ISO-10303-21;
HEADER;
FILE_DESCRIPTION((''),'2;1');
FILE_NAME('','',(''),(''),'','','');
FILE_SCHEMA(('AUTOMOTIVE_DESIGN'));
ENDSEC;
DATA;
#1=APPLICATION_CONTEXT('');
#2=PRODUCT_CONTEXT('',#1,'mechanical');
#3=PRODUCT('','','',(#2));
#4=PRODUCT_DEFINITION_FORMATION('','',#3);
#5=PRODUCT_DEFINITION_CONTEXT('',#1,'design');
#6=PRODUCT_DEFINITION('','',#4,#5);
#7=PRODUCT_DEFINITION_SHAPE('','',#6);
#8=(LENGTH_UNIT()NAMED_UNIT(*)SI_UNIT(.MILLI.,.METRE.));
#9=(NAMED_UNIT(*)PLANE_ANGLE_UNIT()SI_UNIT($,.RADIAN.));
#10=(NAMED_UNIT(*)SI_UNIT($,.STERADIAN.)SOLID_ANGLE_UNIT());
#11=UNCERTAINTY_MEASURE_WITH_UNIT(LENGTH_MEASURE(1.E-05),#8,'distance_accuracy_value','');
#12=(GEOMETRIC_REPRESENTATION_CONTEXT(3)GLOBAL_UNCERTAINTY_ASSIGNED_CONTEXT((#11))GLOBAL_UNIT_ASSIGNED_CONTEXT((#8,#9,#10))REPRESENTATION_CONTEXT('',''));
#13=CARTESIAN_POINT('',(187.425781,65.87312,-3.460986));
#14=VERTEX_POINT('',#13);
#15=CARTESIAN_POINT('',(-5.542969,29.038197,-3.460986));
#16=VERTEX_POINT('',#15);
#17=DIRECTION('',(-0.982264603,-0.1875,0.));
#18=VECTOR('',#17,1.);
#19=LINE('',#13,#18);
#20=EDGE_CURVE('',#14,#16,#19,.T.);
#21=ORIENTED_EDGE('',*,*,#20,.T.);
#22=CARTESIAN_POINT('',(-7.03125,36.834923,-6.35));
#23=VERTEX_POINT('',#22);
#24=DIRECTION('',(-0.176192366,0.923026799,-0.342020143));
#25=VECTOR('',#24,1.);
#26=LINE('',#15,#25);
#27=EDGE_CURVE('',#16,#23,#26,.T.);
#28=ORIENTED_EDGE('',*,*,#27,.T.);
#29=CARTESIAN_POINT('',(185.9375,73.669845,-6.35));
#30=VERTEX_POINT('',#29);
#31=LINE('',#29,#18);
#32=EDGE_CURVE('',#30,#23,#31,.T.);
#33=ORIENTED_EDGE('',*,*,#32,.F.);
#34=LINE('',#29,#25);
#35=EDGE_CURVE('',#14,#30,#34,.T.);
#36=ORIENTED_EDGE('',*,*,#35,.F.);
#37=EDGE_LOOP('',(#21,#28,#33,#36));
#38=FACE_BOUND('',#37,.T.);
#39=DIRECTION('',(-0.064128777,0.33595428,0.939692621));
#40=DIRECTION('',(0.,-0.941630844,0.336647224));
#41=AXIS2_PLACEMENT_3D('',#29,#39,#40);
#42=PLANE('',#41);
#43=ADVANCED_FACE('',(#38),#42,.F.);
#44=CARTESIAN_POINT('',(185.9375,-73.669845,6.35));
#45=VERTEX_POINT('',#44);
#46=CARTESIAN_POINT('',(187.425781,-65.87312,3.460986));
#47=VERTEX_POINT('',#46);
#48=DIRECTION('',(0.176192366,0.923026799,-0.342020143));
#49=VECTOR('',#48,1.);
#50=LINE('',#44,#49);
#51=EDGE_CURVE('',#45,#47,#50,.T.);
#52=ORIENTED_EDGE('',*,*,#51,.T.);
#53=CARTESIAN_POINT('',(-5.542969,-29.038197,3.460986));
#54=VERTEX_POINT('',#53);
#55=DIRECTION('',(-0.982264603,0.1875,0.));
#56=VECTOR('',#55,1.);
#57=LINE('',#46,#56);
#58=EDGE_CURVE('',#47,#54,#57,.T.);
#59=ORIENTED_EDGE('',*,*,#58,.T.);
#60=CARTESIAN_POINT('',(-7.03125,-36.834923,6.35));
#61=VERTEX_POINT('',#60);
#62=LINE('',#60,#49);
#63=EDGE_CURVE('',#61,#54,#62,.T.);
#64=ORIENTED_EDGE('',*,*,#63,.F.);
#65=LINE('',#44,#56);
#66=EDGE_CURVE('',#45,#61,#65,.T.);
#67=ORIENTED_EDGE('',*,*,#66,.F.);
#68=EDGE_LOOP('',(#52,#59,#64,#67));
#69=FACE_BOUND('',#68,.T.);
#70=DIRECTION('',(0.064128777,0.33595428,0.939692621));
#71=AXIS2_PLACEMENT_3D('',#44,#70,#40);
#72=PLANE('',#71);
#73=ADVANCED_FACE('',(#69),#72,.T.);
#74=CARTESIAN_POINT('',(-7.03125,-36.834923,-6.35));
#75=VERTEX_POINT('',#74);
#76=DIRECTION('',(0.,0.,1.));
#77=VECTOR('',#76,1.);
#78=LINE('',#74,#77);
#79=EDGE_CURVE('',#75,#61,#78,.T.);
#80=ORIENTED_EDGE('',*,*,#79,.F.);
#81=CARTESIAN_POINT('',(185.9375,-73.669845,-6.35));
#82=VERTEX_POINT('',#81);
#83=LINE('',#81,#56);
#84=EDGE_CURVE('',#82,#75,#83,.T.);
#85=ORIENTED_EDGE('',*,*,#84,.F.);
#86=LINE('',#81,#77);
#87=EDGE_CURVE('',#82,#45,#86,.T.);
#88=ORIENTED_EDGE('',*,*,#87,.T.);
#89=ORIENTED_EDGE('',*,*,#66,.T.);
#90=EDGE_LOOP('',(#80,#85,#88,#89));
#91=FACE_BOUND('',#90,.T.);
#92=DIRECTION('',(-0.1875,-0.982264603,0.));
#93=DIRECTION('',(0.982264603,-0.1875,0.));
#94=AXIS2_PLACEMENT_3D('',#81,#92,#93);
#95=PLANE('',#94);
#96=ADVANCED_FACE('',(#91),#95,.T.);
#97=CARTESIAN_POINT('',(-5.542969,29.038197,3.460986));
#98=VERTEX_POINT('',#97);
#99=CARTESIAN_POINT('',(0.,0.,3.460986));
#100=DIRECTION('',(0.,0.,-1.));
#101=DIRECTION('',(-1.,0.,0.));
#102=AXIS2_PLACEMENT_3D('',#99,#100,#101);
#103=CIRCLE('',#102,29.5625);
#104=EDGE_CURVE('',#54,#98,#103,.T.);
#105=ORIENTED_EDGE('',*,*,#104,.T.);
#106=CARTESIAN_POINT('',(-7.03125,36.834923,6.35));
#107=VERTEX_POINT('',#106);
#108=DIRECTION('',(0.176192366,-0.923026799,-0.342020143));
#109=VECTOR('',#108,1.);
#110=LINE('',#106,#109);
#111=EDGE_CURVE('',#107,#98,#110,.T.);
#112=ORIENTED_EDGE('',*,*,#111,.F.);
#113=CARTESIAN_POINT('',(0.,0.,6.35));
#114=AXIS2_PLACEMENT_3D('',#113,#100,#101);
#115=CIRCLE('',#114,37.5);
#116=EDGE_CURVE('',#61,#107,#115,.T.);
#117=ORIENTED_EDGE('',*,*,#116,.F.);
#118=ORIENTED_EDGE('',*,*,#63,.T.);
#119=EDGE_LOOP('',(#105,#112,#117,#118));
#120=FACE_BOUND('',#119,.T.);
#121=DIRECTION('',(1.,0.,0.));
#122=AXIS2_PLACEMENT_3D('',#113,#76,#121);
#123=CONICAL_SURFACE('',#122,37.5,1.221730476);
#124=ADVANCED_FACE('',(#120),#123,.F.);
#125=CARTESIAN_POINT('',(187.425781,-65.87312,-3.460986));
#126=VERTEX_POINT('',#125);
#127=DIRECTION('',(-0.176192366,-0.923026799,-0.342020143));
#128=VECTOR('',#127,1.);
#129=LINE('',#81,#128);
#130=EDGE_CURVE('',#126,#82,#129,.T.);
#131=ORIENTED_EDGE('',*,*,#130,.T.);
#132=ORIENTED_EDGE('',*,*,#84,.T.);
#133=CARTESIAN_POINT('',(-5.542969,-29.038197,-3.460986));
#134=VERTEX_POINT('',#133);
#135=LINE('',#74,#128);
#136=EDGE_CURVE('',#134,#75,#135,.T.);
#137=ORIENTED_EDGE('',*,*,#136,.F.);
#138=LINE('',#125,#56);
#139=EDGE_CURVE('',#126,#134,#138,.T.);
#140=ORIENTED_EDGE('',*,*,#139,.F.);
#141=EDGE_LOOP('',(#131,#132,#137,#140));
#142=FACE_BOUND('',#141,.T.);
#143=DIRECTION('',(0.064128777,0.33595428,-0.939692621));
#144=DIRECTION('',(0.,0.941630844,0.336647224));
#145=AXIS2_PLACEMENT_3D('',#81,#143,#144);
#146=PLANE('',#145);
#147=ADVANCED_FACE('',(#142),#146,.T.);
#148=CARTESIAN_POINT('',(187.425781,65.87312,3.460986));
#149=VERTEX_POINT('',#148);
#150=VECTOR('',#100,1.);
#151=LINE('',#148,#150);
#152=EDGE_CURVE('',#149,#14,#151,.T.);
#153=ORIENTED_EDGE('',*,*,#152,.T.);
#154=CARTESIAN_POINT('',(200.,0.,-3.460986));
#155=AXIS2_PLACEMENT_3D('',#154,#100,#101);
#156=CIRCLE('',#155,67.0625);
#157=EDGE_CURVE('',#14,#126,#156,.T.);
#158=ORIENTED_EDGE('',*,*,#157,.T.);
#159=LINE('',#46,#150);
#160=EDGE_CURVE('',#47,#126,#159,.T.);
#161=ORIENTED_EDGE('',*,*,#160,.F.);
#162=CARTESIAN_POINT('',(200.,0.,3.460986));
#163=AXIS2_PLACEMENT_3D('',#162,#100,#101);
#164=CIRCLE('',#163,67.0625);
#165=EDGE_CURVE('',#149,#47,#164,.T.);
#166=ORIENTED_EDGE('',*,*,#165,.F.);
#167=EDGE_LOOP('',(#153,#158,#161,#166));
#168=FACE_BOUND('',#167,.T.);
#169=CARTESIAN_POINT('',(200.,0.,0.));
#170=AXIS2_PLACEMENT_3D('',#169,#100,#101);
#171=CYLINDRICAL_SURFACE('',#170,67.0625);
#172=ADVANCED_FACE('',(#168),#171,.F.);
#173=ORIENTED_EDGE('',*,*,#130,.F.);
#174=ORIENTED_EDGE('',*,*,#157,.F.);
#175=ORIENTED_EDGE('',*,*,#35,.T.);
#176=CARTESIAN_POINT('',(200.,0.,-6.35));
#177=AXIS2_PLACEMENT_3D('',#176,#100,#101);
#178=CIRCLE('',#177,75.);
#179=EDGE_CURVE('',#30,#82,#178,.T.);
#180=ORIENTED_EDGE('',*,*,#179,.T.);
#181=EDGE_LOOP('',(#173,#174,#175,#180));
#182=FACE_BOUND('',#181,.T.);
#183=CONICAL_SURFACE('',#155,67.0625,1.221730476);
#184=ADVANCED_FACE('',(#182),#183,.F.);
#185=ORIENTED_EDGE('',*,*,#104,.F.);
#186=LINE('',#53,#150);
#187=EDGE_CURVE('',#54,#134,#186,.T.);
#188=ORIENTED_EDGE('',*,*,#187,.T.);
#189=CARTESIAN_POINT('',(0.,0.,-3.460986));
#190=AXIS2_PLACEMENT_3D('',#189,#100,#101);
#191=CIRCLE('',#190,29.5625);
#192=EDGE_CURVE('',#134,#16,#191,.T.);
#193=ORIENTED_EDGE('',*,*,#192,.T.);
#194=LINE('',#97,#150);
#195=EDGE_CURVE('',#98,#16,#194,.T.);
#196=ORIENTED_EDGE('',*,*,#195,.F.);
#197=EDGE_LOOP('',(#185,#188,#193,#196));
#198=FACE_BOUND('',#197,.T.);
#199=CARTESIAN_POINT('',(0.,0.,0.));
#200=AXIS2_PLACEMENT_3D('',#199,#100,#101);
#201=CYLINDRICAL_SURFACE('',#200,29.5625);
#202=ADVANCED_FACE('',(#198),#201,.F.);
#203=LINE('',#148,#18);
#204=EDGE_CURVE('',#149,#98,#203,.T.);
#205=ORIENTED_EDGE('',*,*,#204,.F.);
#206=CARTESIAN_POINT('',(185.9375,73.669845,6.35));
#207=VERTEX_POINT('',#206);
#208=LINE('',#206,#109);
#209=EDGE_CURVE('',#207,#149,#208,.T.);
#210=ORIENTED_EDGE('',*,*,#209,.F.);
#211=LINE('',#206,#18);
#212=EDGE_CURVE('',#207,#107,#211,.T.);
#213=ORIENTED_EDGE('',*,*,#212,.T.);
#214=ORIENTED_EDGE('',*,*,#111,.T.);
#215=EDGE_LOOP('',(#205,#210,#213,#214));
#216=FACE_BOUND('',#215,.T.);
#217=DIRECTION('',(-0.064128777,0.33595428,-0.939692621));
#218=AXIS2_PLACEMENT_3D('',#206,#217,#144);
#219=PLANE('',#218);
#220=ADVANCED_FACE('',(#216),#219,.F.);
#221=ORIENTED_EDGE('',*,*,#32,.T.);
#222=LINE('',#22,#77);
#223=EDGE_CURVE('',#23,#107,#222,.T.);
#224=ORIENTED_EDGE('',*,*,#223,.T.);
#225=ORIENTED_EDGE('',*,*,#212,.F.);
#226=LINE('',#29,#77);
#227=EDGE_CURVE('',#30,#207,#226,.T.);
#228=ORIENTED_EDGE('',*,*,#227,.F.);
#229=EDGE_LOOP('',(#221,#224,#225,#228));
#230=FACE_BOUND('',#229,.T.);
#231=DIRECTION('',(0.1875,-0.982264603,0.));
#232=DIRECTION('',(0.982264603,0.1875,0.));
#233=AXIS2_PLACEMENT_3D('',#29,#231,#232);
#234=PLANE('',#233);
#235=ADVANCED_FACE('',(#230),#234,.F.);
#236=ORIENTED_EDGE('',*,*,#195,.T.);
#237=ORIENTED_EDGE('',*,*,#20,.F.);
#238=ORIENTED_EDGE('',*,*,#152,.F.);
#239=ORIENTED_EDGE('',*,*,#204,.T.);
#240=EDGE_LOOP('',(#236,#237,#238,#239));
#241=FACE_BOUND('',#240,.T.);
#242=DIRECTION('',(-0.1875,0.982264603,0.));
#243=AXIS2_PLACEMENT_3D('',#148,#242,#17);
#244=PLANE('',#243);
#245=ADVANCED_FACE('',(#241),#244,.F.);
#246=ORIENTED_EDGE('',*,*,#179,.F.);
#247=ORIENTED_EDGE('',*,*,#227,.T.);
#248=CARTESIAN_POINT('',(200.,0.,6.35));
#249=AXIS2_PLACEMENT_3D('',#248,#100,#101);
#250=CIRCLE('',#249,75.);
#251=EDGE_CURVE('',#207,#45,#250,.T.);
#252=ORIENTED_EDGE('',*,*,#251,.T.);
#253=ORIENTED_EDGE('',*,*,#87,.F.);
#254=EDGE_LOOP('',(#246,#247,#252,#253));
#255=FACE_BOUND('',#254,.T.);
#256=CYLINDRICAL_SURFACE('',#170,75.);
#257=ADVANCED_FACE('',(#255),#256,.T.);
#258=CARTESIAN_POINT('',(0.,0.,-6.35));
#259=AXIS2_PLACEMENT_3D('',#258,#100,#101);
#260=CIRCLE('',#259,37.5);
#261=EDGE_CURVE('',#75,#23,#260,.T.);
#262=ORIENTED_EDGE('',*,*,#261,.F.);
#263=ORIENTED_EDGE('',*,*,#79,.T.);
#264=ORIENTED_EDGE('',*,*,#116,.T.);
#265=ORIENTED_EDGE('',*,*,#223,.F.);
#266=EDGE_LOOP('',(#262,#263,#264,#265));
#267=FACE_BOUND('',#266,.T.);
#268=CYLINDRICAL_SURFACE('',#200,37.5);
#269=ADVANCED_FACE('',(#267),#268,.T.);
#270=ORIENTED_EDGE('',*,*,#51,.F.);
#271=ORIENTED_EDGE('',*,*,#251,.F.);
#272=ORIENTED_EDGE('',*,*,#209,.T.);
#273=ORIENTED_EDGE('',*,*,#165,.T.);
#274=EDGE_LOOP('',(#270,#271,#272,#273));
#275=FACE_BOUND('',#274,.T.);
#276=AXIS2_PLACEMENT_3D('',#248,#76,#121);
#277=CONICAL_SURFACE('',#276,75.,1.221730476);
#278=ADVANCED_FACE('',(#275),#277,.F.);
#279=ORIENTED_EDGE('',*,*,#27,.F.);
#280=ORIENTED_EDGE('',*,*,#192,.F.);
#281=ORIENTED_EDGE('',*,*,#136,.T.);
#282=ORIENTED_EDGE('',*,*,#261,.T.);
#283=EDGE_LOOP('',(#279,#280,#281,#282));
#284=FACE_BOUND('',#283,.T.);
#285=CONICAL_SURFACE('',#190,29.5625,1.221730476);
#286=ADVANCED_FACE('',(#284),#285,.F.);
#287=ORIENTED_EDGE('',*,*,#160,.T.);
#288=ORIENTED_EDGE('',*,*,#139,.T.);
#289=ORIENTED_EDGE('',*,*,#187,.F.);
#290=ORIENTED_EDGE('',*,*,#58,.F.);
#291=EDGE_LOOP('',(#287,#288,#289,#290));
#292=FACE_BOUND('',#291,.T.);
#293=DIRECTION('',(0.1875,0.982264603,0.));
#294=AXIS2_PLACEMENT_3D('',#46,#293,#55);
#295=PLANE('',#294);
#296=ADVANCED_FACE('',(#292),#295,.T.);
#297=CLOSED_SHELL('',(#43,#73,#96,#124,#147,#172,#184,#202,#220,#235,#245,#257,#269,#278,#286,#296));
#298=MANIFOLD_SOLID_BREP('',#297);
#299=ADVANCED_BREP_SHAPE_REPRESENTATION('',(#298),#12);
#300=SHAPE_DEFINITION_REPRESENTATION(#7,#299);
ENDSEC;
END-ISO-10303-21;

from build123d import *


with BuildPart() as part:
    # Sweep1: sweep along a path in Sketch1
    with BuildLine(Plane.XY) as sweep1_path:
        Line((-7.03125, 36.834922607), (185.9375, 73.669845213))
        ThreePointArc((185.9375, 73.669845213), (275, 0), (185.9375, -73.669845213))
        Line((185.9375, -73.669845213), (-7.03125, -36.834922607))
        ThreePointArc((-7.03125, -36.834922607), (-37.5, 0), (-7.03125, 36.834922607))
    # Sketch2 → Sweep1 (sweep)
    with BuildSketch(Plane(origin=(-7.03125, 36.834922607, 0), x_dir=(0, 0, -1), z_dir=(0.982264602843857, 0.1875000000000001, 0))):
        Polygon((6.35, 0), (-6.35, 0), (-3.460986266, -7.9375), (3.460986266, -7.9375), align=None)
    sweep(path=sweep1_path.line)


solid = part.part
